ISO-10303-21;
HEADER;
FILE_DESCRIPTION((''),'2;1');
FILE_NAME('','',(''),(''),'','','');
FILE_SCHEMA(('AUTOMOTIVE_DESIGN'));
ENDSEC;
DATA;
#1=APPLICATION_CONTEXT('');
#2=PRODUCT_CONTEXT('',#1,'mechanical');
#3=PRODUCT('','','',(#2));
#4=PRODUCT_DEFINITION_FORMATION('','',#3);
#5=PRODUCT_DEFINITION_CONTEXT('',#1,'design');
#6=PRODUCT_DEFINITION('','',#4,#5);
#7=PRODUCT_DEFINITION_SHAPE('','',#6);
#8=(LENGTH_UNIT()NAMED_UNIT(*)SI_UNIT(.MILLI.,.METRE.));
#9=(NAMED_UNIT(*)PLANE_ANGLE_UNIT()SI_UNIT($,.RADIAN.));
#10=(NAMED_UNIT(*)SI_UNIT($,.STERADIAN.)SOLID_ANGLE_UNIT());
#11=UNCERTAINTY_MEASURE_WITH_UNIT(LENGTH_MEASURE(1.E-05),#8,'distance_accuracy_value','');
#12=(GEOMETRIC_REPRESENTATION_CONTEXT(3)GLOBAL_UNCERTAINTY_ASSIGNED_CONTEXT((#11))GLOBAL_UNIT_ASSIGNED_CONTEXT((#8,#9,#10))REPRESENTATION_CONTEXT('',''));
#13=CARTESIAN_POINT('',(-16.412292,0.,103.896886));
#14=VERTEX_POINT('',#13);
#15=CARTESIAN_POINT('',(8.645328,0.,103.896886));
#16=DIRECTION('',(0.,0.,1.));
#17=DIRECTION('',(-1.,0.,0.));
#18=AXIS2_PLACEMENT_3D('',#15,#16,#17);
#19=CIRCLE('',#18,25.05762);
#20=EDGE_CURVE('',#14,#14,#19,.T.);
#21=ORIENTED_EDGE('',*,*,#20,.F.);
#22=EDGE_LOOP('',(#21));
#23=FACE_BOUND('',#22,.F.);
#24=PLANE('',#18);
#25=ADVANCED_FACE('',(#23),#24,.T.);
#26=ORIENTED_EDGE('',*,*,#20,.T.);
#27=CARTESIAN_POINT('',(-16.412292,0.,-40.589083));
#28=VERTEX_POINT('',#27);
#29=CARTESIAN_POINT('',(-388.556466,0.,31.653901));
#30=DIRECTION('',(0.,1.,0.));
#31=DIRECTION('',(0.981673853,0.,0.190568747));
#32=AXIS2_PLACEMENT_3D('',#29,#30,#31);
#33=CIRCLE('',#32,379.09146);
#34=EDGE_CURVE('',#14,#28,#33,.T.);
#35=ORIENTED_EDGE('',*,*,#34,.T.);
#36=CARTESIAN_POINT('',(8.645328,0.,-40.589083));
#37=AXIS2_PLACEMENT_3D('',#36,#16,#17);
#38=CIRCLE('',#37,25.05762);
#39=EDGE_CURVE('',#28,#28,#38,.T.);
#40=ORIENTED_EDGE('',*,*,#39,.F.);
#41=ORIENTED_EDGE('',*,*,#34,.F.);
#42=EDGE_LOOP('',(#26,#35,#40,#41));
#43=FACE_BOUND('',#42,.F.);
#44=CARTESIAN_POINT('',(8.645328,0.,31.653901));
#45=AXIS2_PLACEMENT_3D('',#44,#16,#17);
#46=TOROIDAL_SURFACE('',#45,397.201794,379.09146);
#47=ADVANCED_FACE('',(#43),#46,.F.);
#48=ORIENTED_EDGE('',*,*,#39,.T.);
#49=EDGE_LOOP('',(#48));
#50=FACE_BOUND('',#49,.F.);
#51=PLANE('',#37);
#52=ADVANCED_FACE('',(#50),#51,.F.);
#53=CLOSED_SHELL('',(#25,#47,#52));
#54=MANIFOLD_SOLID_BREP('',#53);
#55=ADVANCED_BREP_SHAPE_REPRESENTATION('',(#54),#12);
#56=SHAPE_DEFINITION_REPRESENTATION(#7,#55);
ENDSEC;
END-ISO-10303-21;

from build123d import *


with BuildPart() as f1:
    # F0 (on Front) → F1 (revolve)
    with BuildSketch(Plane.XZ):
        with BuildLine():
            ThreePointArc((-16.412292, 103.896886), (-9.465006, 31.653902), (-16.412292, -40.589083))
            Line((-16.412292, -40.589083), (8.645328, -40.589083))
            Line((8.645328, -40.589083), (8.645328, 103.896886))
            Line((8.645328, 103.896886), (-16.412292, 103.896886))
        make_face()
    revolve(axis=Axis((8.645328, 0, 31.653902), (0, 0, 1)))


solid = f1.part
